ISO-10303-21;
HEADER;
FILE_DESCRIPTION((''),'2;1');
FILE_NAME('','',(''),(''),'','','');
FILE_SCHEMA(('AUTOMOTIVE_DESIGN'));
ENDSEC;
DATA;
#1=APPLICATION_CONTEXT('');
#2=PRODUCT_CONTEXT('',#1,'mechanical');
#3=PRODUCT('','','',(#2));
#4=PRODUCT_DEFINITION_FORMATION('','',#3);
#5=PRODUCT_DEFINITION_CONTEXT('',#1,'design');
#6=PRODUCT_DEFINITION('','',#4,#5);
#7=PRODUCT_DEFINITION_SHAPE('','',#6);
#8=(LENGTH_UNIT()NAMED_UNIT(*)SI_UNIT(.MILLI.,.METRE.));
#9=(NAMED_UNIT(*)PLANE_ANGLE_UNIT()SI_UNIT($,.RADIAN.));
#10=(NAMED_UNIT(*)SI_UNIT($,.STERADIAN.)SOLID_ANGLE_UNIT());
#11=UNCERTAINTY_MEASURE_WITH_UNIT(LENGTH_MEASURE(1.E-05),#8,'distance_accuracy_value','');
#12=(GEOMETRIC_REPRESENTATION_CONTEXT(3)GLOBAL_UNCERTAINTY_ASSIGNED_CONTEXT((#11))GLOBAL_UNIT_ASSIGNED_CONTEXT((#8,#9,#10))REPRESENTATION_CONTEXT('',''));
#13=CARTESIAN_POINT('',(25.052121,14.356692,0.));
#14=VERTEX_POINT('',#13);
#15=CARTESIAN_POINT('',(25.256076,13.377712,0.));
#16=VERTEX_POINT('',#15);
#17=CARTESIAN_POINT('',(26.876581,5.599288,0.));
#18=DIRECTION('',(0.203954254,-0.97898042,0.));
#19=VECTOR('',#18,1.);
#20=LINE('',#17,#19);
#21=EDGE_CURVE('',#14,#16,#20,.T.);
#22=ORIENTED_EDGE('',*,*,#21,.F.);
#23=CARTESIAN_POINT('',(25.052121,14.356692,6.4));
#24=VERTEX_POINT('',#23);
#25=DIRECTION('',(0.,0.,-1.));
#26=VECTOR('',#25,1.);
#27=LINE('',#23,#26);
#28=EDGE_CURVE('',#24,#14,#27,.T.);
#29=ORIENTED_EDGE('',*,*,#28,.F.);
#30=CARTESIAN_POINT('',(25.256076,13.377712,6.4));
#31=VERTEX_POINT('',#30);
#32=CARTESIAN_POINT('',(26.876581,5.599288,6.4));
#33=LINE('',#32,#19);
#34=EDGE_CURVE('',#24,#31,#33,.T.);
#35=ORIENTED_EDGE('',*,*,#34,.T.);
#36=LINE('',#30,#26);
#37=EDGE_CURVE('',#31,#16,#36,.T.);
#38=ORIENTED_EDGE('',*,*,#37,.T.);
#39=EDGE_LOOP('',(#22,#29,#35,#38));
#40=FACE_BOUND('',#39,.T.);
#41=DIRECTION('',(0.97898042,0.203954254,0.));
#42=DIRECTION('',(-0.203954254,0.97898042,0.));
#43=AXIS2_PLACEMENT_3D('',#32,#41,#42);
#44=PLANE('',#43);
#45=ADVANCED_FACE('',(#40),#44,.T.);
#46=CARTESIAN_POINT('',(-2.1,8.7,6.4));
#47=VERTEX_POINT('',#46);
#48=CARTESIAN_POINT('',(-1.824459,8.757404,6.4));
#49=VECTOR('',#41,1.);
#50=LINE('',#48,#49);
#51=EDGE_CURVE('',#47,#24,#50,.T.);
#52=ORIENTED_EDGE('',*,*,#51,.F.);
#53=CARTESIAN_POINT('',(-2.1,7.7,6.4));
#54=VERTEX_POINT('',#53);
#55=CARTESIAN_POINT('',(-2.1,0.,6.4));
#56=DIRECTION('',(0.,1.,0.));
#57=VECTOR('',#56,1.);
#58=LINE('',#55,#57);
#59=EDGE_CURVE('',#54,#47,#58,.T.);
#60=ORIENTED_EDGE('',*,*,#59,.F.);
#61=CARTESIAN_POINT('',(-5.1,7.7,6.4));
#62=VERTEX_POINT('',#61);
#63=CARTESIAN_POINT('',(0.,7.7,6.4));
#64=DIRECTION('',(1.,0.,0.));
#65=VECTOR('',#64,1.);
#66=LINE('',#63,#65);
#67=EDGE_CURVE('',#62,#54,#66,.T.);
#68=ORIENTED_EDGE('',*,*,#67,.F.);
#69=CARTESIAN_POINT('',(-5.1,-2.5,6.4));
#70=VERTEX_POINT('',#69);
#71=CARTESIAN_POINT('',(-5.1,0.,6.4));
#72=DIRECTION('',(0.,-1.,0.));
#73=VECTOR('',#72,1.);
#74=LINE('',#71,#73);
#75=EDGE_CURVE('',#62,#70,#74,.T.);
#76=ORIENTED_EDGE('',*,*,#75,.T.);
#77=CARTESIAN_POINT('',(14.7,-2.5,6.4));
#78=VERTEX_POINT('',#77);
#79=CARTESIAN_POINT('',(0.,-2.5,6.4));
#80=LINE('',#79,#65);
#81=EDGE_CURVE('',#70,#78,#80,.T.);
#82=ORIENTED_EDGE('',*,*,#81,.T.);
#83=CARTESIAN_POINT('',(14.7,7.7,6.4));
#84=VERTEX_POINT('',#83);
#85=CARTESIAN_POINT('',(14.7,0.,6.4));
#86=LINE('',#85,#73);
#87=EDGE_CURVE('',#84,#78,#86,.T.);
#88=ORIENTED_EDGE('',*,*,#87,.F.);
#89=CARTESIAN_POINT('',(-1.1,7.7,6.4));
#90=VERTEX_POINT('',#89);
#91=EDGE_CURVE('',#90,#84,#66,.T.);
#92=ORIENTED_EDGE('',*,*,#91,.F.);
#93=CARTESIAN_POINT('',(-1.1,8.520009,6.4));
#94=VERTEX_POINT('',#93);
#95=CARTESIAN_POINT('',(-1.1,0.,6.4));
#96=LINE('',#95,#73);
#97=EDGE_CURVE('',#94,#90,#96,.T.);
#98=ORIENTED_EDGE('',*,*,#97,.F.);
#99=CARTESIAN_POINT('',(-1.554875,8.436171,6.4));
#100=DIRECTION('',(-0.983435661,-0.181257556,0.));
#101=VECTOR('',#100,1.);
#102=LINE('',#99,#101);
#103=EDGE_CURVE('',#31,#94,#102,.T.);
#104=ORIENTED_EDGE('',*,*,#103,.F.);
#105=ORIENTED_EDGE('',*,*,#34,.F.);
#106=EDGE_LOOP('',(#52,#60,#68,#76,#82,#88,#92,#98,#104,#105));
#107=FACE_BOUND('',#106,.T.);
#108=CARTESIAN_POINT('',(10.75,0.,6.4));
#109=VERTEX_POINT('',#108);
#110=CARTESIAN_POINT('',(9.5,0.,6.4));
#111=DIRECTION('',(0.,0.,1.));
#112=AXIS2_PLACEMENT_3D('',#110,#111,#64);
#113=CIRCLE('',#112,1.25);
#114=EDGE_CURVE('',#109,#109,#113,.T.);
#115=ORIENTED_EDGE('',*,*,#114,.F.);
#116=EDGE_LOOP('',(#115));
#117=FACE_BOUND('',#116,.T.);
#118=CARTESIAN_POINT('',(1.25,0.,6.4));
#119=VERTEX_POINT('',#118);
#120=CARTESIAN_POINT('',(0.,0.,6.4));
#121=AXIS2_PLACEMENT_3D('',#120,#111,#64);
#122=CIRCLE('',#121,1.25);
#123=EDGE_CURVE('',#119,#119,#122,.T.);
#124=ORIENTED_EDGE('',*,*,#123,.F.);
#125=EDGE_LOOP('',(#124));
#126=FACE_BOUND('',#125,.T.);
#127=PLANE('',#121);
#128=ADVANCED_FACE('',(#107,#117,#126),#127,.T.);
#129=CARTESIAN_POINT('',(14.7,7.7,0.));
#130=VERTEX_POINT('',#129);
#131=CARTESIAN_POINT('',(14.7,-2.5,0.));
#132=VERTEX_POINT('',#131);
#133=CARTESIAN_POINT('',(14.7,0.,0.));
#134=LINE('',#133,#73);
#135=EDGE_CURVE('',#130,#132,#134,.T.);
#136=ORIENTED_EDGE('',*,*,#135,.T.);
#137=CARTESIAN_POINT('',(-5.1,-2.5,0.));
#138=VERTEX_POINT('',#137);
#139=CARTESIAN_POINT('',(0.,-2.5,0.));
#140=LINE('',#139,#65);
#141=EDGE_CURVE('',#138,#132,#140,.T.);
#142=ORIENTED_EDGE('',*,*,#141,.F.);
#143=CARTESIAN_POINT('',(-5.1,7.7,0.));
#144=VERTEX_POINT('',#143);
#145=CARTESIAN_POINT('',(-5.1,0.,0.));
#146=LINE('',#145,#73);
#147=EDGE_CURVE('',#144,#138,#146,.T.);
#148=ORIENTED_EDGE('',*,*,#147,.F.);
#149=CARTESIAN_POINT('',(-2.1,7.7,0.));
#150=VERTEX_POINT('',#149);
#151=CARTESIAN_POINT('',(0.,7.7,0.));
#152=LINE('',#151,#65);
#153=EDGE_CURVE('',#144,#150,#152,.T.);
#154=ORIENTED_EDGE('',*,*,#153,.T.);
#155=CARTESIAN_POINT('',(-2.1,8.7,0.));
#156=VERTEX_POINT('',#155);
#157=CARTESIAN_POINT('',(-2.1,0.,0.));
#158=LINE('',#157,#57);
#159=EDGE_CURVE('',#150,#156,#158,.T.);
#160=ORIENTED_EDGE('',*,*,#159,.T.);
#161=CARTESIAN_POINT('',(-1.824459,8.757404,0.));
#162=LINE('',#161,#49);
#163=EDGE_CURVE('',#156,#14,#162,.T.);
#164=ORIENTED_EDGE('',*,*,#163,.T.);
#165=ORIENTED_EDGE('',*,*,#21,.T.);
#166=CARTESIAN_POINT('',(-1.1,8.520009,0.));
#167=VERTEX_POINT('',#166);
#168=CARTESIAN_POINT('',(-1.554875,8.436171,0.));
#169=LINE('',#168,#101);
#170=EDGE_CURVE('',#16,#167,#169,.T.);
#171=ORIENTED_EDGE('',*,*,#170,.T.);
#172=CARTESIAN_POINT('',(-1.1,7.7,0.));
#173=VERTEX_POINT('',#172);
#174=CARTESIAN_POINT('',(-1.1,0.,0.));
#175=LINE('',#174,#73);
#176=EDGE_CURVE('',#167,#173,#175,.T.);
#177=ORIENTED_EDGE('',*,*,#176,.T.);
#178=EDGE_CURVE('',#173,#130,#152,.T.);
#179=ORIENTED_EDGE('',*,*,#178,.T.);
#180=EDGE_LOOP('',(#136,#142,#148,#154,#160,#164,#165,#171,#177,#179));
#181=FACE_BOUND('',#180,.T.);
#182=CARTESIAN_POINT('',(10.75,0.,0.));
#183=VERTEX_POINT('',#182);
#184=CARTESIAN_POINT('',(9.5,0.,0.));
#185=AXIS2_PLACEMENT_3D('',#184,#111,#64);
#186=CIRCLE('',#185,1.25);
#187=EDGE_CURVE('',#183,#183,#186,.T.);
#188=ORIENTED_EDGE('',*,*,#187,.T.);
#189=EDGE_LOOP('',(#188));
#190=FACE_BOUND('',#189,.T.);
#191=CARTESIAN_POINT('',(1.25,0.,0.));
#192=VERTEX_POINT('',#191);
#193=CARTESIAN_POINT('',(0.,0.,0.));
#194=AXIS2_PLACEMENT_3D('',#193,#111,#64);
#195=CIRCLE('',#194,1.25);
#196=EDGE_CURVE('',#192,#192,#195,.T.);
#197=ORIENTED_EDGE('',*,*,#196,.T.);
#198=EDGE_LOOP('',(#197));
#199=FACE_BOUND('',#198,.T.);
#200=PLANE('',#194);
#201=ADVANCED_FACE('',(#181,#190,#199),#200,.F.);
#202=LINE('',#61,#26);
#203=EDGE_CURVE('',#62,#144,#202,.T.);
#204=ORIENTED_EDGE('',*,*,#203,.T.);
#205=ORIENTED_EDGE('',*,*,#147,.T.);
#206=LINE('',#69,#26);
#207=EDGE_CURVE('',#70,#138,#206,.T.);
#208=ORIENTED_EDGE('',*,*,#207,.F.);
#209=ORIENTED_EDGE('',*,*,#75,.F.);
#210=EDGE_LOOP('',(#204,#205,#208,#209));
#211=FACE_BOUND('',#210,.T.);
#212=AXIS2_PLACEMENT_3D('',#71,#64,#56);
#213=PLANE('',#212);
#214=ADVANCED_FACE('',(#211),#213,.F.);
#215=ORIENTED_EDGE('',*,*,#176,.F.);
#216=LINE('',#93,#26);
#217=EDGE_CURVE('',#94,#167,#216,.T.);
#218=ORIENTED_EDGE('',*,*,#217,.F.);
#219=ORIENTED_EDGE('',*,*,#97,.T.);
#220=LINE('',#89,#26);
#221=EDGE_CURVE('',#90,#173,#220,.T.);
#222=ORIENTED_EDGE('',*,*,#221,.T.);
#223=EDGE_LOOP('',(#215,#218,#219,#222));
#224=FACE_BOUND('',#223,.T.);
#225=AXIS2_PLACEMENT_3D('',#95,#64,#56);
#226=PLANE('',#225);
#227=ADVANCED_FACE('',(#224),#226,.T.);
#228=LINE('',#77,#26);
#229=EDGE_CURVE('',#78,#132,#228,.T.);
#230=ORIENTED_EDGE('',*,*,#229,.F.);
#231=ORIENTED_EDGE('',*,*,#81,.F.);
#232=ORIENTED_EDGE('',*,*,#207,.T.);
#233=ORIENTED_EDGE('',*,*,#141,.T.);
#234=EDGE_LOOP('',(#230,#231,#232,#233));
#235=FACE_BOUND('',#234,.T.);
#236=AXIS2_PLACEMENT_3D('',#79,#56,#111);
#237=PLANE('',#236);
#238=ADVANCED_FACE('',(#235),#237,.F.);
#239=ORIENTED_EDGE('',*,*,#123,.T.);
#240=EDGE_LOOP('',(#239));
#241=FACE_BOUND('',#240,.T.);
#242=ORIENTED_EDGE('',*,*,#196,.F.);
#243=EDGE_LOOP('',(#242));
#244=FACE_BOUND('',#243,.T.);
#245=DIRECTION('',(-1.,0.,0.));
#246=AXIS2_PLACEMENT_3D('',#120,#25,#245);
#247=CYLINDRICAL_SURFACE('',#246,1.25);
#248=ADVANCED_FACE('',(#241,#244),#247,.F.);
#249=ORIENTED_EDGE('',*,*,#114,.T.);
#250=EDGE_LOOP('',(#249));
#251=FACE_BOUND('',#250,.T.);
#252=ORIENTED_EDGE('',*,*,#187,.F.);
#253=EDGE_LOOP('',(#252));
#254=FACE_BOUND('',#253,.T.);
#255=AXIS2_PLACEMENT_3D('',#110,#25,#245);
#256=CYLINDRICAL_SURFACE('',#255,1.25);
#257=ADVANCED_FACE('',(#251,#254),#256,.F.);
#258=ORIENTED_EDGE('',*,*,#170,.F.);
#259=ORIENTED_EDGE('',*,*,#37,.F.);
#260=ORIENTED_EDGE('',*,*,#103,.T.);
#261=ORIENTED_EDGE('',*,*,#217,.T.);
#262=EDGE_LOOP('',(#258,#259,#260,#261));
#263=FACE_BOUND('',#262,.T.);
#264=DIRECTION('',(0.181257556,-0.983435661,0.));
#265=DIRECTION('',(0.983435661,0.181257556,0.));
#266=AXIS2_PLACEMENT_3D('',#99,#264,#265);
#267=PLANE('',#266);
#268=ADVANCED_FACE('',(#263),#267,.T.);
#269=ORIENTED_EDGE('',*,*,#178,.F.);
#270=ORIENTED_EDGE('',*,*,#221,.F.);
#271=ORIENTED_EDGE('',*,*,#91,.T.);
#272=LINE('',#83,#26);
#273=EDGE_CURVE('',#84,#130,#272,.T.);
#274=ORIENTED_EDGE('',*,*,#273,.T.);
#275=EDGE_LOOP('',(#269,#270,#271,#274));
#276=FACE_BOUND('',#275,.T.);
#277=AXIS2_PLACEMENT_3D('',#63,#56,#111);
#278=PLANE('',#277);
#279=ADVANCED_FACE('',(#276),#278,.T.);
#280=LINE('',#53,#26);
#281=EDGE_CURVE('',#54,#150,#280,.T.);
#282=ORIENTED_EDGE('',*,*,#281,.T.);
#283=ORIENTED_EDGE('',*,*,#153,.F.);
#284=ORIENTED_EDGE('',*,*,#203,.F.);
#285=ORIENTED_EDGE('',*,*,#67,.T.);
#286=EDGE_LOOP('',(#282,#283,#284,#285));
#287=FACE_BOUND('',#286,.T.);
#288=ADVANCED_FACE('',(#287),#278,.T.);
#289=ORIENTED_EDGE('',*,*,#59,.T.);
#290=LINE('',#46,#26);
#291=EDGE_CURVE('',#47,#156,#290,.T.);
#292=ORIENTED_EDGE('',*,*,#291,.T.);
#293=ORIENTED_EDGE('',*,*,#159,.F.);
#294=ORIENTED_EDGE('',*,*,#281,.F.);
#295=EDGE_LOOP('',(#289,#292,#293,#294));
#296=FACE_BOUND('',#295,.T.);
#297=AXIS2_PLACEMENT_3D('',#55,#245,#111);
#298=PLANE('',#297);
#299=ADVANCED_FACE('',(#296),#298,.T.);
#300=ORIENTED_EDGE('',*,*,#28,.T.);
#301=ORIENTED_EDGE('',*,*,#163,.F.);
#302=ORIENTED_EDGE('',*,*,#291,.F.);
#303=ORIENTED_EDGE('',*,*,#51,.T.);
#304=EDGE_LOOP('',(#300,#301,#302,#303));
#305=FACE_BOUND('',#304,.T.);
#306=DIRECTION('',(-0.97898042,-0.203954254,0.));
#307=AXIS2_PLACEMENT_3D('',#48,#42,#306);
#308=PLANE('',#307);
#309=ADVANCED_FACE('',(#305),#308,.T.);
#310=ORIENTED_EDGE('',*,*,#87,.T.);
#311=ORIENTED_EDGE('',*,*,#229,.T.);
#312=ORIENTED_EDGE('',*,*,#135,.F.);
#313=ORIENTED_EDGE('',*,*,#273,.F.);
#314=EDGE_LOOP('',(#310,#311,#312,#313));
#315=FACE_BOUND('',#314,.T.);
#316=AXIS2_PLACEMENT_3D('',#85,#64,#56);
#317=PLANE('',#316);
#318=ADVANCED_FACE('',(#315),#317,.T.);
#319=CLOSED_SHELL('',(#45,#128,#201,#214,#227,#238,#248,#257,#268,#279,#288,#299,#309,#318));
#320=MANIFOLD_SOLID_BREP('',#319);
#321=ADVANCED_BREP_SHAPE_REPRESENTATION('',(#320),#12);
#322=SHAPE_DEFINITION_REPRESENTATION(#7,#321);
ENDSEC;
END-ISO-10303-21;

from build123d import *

# Parameters (mm, degrees)
SKETCH_1_W      = 19.8
SKETCH_1_H      = 10.2
SKETCH_1_R      = 1.25
EXTRUDE_1_DEPTH = 6.4


with BuildPart() as part:
    # 草图1 → 凸台-拉伸1 (new body)
    # profile 1 of 3: a face of its own
    with BuildSketch(Plane.XY):
        with Locations((4.8, 2.6)):
            Rectangle(SKETCH_1_W, SKETCH_1_H)
        with Locations((9.5, 0)):
            Circle(SKETCH_1_R, mode=Mode.SUBTRACT)
        Circle(SKETCH_1_R, mode=Mode.SUBTRACT)
    # profile 2 of 3: a face of its own
    with BuildSketch(Plane.XY):
        Polygon((-2.1, 8.7), (-2.1, 7.7), (-1.1, 7.7), (-1.1, 8.520009061), align=None)
    # profile 3 of 3: a face of its own
    with BuildSketch(Plane.XY):
        Polygon((-2.1, 8.7), (25.05212145, 14.356691969), (25.256075705, 13.377711549), (-1.1, 8.520009061), align=None)
    extrude(amount=EXTRUDE_1_DEPTH)


solid = part.part
